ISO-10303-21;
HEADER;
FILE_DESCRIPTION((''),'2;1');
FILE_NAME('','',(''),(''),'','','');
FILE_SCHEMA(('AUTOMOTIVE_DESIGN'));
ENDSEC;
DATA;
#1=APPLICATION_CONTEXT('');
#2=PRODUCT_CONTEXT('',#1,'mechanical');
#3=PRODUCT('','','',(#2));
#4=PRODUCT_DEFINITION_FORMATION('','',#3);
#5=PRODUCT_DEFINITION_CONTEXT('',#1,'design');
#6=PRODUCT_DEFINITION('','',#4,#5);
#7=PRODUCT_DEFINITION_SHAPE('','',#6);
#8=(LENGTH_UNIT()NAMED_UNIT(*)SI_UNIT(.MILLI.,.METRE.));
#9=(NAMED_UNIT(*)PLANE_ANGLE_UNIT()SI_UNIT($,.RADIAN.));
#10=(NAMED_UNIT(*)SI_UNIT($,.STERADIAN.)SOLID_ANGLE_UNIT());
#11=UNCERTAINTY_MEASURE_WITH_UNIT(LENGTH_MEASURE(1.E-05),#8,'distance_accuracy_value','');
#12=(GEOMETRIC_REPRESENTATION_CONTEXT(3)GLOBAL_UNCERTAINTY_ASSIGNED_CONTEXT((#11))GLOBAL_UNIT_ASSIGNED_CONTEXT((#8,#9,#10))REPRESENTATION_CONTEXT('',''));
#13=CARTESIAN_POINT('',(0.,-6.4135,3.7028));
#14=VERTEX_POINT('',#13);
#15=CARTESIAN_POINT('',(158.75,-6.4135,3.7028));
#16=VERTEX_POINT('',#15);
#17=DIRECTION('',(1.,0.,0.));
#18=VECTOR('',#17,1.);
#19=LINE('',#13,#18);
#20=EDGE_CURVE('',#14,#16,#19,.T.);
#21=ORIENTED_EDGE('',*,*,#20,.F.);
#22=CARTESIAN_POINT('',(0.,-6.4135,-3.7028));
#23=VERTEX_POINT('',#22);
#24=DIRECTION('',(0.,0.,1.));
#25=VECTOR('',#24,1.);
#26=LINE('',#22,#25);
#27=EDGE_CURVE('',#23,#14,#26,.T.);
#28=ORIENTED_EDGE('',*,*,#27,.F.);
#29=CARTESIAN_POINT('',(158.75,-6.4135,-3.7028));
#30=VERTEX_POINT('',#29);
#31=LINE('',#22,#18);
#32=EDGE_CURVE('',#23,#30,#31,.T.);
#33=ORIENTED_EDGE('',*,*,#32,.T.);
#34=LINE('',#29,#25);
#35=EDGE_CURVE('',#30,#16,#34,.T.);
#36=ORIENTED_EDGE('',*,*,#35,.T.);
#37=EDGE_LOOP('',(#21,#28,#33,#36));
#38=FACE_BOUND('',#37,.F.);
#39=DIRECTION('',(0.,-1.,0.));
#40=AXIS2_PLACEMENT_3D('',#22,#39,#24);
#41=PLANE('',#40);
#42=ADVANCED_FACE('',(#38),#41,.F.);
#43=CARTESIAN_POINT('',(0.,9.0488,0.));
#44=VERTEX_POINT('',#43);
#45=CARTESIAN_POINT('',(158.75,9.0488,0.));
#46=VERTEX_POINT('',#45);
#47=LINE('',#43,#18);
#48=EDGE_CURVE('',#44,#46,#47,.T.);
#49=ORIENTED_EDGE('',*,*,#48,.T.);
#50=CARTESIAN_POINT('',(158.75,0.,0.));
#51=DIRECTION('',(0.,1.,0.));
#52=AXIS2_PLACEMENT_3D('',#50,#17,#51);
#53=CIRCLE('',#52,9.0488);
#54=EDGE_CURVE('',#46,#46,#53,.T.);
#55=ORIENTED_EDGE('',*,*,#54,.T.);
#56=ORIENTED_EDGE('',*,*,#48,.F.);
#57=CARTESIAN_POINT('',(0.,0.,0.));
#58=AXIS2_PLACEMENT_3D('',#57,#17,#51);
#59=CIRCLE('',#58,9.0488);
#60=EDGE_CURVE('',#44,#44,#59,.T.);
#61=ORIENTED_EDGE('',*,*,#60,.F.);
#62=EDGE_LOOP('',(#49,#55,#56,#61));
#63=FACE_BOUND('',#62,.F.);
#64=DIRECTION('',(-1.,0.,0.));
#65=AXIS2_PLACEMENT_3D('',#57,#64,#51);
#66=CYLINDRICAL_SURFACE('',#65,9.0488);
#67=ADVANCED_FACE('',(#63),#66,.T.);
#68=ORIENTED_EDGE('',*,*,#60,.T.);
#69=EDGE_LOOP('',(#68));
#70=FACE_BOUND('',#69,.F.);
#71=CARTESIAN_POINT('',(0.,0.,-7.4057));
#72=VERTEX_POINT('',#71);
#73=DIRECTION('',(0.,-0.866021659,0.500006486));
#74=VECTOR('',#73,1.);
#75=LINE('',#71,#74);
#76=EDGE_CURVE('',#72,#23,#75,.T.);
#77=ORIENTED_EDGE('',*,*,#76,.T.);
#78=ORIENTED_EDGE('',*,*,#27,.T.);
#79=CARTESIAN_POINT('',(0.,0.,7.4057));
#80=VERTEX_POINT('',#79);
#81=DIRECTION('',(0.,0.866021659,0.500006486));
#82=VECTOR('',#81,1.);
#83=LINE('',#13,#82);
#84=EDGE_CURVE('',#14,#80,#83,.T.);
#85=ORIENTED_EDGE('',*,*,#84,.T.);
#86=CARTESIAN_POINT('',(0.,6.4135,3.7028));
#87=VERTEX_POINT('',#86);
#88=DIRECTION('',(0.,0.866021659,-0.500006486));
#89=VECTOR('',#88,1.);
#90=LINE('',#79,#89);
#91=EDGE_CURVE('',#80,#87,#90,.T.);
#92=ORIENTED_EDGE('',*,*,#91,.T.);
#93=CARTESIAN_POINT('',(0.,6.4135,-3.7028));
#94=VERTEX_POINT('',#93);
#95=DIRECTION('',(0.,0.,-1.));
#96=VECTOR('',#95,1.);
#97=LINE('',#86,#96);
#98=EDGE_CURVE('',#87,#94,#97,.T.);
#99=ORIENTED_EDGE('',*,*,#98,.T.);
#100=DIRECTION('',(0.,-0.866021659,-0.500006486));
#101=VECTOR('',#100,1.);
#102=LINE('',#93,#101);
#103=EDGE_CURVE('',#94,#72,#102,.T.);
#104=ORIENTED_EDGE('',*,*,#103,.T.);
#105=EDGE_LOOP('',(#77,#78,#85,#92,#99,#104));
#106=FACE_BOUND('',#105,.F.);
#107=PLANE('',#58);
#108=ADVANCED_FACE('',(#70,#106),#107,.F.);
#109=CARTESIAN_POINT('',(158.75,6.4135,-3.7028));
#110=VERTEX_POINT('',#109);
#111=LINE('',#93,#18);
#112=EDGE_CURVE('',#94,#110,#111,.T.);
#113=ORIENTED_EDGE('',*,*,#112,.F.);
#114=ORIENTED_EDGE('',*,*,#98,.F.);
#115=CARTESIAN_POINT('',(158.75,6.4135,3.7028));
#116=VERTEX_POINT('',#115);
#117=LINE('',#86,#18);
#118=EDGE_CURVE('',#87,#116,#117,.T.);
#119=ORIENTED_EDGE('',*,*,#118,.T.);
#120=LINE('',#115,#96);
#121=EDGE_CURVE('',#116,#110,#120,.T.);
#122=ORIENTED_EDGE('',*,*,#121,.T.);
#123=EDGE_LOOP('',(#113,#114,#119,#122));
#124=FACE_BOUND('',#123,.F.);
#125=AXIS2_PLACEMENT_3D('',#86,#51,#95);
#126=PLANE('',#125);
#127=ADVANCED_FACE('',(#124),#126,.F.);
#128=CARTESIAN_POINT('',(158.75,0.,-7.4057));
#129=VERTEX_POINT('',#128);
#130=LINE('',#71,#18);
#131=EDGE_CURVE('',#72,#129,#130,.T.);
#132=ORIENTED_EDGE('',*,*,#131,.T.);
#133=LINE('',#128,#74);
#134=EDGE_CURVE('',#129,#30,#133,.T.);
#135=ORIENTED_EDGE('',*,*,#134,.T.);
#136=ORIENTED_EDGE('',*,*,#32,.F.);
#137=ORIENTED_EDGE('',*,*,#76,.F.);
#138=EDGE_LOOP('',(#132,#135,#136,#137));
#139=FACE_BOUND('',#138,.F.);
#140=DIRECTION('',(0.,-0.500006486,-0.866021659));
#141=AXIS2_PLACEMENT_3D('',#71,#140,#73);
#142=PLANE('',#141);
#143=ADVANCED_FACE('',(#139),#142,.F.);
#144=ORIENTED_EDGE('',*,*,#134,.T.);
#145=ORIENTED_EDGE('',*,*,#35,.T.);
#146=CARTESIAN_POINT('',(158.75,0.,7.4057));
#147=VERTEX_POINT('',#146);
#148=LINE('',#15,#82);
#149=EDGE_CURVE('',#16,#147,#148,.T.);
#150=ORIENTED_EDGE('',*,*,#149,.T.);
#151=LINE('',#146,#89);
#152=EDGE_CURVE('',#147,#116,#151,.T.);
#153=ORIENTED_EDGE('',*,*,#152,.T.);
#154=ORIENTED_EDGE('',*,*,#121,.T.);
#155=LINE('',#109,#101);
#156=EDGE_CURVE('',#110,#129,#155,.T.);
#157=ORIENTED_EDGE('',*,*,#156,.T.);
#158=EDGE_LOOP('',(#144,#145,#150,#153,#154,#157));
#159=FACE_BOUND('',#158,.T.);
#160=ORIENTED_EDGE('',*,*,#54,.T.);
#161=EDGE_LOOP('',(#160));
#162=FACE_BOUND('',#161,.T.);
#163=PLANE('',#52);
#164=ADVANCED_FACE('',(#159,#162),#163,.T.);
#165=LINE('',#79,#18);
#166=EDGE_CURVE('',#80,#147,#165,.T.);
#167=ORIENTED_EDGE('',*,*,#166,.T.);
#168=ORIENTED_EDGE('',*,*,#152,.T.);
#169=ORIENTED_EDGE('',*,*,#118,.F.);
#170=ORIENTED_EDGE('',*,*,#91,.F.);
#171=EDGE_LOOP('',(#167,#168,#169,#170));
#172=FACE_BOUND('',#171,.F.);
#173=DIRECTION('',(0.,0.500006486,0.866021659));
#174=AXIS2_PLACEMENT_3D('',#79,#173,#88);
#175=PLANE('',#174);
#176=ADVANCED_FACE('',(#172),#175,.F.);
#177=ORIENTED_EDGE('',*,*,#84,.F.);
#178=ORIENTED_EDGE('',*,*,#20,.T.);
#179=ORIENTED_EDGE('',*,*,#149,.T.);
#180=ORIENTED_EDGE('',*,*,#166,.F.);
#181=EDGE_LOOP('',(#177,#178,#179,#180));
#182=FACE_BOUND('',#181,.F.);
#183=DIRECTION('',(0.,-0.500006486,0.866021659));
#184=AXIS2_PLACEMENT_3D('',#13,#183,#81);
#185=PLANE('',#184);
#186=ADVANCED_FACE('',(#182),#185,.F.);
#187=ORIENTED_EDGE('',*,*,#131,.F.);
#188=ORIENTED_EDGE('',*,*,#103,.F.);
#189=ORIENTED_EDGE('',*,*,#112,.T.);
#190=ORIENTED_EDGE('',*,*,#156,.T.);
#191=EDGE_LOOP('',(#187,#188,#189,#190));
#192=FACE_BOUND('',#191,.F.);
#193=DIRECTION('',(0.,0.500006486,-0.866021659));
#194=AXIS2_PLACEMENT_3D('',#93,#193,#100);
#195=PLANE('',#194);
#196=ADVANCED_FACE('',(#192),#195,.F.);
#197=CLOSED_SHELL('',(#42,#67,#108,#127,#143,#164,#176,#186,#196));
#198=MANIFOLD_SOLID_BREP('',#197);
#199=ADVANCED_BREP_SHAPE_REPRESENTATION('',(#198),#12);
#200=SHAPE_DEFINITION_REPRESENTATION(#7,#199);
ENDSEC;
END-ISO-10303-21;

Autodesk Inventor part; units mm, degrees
ref_plane "YZ Plane" through (0, 0, 0) normal (1, 0, 0) x (0, 1, 0)
ref_plane "XZ Plane" through (0, 0, 0) normal (0, 1, 0) x (-1, 0, 0)
ref_plane "XY Plane" through (0, 0, 0) normal (0, 0, 1) x (1, 0, 0)
sketch "Sketch1" plane through (0, 0, 0) normal (1, 0, 0) x (0, 1, 0)
  line L0 (-6.4135, -3.7028) -> (-6.4135, 3.7028)
  line L1 (-6.4135, 3.7028) -> (0, 7.4057)
  line L2 (0, 7.4057) -> (6.4135, 3.7028)
  line L3 (6.4135, 3.7028) -> (6.4135, -3.7028)
  line L4 (6.4135, -3.7028) -> (0, -7.4057)
  line L5 (0, -7.4057) -> (-6.4135, -3.7028)
  circle A0 centre (0, 0) radius 9.0488
  dimension "d0" = 12.827
  dimension "d5" = 18.0975
extrude "Extrusion1" add sketch "Sketch1" along normal blind 158.75
properties part number "3DPRINT,HOOD,DRIVEGEAR,SPACER" material "ABS Plastic"
